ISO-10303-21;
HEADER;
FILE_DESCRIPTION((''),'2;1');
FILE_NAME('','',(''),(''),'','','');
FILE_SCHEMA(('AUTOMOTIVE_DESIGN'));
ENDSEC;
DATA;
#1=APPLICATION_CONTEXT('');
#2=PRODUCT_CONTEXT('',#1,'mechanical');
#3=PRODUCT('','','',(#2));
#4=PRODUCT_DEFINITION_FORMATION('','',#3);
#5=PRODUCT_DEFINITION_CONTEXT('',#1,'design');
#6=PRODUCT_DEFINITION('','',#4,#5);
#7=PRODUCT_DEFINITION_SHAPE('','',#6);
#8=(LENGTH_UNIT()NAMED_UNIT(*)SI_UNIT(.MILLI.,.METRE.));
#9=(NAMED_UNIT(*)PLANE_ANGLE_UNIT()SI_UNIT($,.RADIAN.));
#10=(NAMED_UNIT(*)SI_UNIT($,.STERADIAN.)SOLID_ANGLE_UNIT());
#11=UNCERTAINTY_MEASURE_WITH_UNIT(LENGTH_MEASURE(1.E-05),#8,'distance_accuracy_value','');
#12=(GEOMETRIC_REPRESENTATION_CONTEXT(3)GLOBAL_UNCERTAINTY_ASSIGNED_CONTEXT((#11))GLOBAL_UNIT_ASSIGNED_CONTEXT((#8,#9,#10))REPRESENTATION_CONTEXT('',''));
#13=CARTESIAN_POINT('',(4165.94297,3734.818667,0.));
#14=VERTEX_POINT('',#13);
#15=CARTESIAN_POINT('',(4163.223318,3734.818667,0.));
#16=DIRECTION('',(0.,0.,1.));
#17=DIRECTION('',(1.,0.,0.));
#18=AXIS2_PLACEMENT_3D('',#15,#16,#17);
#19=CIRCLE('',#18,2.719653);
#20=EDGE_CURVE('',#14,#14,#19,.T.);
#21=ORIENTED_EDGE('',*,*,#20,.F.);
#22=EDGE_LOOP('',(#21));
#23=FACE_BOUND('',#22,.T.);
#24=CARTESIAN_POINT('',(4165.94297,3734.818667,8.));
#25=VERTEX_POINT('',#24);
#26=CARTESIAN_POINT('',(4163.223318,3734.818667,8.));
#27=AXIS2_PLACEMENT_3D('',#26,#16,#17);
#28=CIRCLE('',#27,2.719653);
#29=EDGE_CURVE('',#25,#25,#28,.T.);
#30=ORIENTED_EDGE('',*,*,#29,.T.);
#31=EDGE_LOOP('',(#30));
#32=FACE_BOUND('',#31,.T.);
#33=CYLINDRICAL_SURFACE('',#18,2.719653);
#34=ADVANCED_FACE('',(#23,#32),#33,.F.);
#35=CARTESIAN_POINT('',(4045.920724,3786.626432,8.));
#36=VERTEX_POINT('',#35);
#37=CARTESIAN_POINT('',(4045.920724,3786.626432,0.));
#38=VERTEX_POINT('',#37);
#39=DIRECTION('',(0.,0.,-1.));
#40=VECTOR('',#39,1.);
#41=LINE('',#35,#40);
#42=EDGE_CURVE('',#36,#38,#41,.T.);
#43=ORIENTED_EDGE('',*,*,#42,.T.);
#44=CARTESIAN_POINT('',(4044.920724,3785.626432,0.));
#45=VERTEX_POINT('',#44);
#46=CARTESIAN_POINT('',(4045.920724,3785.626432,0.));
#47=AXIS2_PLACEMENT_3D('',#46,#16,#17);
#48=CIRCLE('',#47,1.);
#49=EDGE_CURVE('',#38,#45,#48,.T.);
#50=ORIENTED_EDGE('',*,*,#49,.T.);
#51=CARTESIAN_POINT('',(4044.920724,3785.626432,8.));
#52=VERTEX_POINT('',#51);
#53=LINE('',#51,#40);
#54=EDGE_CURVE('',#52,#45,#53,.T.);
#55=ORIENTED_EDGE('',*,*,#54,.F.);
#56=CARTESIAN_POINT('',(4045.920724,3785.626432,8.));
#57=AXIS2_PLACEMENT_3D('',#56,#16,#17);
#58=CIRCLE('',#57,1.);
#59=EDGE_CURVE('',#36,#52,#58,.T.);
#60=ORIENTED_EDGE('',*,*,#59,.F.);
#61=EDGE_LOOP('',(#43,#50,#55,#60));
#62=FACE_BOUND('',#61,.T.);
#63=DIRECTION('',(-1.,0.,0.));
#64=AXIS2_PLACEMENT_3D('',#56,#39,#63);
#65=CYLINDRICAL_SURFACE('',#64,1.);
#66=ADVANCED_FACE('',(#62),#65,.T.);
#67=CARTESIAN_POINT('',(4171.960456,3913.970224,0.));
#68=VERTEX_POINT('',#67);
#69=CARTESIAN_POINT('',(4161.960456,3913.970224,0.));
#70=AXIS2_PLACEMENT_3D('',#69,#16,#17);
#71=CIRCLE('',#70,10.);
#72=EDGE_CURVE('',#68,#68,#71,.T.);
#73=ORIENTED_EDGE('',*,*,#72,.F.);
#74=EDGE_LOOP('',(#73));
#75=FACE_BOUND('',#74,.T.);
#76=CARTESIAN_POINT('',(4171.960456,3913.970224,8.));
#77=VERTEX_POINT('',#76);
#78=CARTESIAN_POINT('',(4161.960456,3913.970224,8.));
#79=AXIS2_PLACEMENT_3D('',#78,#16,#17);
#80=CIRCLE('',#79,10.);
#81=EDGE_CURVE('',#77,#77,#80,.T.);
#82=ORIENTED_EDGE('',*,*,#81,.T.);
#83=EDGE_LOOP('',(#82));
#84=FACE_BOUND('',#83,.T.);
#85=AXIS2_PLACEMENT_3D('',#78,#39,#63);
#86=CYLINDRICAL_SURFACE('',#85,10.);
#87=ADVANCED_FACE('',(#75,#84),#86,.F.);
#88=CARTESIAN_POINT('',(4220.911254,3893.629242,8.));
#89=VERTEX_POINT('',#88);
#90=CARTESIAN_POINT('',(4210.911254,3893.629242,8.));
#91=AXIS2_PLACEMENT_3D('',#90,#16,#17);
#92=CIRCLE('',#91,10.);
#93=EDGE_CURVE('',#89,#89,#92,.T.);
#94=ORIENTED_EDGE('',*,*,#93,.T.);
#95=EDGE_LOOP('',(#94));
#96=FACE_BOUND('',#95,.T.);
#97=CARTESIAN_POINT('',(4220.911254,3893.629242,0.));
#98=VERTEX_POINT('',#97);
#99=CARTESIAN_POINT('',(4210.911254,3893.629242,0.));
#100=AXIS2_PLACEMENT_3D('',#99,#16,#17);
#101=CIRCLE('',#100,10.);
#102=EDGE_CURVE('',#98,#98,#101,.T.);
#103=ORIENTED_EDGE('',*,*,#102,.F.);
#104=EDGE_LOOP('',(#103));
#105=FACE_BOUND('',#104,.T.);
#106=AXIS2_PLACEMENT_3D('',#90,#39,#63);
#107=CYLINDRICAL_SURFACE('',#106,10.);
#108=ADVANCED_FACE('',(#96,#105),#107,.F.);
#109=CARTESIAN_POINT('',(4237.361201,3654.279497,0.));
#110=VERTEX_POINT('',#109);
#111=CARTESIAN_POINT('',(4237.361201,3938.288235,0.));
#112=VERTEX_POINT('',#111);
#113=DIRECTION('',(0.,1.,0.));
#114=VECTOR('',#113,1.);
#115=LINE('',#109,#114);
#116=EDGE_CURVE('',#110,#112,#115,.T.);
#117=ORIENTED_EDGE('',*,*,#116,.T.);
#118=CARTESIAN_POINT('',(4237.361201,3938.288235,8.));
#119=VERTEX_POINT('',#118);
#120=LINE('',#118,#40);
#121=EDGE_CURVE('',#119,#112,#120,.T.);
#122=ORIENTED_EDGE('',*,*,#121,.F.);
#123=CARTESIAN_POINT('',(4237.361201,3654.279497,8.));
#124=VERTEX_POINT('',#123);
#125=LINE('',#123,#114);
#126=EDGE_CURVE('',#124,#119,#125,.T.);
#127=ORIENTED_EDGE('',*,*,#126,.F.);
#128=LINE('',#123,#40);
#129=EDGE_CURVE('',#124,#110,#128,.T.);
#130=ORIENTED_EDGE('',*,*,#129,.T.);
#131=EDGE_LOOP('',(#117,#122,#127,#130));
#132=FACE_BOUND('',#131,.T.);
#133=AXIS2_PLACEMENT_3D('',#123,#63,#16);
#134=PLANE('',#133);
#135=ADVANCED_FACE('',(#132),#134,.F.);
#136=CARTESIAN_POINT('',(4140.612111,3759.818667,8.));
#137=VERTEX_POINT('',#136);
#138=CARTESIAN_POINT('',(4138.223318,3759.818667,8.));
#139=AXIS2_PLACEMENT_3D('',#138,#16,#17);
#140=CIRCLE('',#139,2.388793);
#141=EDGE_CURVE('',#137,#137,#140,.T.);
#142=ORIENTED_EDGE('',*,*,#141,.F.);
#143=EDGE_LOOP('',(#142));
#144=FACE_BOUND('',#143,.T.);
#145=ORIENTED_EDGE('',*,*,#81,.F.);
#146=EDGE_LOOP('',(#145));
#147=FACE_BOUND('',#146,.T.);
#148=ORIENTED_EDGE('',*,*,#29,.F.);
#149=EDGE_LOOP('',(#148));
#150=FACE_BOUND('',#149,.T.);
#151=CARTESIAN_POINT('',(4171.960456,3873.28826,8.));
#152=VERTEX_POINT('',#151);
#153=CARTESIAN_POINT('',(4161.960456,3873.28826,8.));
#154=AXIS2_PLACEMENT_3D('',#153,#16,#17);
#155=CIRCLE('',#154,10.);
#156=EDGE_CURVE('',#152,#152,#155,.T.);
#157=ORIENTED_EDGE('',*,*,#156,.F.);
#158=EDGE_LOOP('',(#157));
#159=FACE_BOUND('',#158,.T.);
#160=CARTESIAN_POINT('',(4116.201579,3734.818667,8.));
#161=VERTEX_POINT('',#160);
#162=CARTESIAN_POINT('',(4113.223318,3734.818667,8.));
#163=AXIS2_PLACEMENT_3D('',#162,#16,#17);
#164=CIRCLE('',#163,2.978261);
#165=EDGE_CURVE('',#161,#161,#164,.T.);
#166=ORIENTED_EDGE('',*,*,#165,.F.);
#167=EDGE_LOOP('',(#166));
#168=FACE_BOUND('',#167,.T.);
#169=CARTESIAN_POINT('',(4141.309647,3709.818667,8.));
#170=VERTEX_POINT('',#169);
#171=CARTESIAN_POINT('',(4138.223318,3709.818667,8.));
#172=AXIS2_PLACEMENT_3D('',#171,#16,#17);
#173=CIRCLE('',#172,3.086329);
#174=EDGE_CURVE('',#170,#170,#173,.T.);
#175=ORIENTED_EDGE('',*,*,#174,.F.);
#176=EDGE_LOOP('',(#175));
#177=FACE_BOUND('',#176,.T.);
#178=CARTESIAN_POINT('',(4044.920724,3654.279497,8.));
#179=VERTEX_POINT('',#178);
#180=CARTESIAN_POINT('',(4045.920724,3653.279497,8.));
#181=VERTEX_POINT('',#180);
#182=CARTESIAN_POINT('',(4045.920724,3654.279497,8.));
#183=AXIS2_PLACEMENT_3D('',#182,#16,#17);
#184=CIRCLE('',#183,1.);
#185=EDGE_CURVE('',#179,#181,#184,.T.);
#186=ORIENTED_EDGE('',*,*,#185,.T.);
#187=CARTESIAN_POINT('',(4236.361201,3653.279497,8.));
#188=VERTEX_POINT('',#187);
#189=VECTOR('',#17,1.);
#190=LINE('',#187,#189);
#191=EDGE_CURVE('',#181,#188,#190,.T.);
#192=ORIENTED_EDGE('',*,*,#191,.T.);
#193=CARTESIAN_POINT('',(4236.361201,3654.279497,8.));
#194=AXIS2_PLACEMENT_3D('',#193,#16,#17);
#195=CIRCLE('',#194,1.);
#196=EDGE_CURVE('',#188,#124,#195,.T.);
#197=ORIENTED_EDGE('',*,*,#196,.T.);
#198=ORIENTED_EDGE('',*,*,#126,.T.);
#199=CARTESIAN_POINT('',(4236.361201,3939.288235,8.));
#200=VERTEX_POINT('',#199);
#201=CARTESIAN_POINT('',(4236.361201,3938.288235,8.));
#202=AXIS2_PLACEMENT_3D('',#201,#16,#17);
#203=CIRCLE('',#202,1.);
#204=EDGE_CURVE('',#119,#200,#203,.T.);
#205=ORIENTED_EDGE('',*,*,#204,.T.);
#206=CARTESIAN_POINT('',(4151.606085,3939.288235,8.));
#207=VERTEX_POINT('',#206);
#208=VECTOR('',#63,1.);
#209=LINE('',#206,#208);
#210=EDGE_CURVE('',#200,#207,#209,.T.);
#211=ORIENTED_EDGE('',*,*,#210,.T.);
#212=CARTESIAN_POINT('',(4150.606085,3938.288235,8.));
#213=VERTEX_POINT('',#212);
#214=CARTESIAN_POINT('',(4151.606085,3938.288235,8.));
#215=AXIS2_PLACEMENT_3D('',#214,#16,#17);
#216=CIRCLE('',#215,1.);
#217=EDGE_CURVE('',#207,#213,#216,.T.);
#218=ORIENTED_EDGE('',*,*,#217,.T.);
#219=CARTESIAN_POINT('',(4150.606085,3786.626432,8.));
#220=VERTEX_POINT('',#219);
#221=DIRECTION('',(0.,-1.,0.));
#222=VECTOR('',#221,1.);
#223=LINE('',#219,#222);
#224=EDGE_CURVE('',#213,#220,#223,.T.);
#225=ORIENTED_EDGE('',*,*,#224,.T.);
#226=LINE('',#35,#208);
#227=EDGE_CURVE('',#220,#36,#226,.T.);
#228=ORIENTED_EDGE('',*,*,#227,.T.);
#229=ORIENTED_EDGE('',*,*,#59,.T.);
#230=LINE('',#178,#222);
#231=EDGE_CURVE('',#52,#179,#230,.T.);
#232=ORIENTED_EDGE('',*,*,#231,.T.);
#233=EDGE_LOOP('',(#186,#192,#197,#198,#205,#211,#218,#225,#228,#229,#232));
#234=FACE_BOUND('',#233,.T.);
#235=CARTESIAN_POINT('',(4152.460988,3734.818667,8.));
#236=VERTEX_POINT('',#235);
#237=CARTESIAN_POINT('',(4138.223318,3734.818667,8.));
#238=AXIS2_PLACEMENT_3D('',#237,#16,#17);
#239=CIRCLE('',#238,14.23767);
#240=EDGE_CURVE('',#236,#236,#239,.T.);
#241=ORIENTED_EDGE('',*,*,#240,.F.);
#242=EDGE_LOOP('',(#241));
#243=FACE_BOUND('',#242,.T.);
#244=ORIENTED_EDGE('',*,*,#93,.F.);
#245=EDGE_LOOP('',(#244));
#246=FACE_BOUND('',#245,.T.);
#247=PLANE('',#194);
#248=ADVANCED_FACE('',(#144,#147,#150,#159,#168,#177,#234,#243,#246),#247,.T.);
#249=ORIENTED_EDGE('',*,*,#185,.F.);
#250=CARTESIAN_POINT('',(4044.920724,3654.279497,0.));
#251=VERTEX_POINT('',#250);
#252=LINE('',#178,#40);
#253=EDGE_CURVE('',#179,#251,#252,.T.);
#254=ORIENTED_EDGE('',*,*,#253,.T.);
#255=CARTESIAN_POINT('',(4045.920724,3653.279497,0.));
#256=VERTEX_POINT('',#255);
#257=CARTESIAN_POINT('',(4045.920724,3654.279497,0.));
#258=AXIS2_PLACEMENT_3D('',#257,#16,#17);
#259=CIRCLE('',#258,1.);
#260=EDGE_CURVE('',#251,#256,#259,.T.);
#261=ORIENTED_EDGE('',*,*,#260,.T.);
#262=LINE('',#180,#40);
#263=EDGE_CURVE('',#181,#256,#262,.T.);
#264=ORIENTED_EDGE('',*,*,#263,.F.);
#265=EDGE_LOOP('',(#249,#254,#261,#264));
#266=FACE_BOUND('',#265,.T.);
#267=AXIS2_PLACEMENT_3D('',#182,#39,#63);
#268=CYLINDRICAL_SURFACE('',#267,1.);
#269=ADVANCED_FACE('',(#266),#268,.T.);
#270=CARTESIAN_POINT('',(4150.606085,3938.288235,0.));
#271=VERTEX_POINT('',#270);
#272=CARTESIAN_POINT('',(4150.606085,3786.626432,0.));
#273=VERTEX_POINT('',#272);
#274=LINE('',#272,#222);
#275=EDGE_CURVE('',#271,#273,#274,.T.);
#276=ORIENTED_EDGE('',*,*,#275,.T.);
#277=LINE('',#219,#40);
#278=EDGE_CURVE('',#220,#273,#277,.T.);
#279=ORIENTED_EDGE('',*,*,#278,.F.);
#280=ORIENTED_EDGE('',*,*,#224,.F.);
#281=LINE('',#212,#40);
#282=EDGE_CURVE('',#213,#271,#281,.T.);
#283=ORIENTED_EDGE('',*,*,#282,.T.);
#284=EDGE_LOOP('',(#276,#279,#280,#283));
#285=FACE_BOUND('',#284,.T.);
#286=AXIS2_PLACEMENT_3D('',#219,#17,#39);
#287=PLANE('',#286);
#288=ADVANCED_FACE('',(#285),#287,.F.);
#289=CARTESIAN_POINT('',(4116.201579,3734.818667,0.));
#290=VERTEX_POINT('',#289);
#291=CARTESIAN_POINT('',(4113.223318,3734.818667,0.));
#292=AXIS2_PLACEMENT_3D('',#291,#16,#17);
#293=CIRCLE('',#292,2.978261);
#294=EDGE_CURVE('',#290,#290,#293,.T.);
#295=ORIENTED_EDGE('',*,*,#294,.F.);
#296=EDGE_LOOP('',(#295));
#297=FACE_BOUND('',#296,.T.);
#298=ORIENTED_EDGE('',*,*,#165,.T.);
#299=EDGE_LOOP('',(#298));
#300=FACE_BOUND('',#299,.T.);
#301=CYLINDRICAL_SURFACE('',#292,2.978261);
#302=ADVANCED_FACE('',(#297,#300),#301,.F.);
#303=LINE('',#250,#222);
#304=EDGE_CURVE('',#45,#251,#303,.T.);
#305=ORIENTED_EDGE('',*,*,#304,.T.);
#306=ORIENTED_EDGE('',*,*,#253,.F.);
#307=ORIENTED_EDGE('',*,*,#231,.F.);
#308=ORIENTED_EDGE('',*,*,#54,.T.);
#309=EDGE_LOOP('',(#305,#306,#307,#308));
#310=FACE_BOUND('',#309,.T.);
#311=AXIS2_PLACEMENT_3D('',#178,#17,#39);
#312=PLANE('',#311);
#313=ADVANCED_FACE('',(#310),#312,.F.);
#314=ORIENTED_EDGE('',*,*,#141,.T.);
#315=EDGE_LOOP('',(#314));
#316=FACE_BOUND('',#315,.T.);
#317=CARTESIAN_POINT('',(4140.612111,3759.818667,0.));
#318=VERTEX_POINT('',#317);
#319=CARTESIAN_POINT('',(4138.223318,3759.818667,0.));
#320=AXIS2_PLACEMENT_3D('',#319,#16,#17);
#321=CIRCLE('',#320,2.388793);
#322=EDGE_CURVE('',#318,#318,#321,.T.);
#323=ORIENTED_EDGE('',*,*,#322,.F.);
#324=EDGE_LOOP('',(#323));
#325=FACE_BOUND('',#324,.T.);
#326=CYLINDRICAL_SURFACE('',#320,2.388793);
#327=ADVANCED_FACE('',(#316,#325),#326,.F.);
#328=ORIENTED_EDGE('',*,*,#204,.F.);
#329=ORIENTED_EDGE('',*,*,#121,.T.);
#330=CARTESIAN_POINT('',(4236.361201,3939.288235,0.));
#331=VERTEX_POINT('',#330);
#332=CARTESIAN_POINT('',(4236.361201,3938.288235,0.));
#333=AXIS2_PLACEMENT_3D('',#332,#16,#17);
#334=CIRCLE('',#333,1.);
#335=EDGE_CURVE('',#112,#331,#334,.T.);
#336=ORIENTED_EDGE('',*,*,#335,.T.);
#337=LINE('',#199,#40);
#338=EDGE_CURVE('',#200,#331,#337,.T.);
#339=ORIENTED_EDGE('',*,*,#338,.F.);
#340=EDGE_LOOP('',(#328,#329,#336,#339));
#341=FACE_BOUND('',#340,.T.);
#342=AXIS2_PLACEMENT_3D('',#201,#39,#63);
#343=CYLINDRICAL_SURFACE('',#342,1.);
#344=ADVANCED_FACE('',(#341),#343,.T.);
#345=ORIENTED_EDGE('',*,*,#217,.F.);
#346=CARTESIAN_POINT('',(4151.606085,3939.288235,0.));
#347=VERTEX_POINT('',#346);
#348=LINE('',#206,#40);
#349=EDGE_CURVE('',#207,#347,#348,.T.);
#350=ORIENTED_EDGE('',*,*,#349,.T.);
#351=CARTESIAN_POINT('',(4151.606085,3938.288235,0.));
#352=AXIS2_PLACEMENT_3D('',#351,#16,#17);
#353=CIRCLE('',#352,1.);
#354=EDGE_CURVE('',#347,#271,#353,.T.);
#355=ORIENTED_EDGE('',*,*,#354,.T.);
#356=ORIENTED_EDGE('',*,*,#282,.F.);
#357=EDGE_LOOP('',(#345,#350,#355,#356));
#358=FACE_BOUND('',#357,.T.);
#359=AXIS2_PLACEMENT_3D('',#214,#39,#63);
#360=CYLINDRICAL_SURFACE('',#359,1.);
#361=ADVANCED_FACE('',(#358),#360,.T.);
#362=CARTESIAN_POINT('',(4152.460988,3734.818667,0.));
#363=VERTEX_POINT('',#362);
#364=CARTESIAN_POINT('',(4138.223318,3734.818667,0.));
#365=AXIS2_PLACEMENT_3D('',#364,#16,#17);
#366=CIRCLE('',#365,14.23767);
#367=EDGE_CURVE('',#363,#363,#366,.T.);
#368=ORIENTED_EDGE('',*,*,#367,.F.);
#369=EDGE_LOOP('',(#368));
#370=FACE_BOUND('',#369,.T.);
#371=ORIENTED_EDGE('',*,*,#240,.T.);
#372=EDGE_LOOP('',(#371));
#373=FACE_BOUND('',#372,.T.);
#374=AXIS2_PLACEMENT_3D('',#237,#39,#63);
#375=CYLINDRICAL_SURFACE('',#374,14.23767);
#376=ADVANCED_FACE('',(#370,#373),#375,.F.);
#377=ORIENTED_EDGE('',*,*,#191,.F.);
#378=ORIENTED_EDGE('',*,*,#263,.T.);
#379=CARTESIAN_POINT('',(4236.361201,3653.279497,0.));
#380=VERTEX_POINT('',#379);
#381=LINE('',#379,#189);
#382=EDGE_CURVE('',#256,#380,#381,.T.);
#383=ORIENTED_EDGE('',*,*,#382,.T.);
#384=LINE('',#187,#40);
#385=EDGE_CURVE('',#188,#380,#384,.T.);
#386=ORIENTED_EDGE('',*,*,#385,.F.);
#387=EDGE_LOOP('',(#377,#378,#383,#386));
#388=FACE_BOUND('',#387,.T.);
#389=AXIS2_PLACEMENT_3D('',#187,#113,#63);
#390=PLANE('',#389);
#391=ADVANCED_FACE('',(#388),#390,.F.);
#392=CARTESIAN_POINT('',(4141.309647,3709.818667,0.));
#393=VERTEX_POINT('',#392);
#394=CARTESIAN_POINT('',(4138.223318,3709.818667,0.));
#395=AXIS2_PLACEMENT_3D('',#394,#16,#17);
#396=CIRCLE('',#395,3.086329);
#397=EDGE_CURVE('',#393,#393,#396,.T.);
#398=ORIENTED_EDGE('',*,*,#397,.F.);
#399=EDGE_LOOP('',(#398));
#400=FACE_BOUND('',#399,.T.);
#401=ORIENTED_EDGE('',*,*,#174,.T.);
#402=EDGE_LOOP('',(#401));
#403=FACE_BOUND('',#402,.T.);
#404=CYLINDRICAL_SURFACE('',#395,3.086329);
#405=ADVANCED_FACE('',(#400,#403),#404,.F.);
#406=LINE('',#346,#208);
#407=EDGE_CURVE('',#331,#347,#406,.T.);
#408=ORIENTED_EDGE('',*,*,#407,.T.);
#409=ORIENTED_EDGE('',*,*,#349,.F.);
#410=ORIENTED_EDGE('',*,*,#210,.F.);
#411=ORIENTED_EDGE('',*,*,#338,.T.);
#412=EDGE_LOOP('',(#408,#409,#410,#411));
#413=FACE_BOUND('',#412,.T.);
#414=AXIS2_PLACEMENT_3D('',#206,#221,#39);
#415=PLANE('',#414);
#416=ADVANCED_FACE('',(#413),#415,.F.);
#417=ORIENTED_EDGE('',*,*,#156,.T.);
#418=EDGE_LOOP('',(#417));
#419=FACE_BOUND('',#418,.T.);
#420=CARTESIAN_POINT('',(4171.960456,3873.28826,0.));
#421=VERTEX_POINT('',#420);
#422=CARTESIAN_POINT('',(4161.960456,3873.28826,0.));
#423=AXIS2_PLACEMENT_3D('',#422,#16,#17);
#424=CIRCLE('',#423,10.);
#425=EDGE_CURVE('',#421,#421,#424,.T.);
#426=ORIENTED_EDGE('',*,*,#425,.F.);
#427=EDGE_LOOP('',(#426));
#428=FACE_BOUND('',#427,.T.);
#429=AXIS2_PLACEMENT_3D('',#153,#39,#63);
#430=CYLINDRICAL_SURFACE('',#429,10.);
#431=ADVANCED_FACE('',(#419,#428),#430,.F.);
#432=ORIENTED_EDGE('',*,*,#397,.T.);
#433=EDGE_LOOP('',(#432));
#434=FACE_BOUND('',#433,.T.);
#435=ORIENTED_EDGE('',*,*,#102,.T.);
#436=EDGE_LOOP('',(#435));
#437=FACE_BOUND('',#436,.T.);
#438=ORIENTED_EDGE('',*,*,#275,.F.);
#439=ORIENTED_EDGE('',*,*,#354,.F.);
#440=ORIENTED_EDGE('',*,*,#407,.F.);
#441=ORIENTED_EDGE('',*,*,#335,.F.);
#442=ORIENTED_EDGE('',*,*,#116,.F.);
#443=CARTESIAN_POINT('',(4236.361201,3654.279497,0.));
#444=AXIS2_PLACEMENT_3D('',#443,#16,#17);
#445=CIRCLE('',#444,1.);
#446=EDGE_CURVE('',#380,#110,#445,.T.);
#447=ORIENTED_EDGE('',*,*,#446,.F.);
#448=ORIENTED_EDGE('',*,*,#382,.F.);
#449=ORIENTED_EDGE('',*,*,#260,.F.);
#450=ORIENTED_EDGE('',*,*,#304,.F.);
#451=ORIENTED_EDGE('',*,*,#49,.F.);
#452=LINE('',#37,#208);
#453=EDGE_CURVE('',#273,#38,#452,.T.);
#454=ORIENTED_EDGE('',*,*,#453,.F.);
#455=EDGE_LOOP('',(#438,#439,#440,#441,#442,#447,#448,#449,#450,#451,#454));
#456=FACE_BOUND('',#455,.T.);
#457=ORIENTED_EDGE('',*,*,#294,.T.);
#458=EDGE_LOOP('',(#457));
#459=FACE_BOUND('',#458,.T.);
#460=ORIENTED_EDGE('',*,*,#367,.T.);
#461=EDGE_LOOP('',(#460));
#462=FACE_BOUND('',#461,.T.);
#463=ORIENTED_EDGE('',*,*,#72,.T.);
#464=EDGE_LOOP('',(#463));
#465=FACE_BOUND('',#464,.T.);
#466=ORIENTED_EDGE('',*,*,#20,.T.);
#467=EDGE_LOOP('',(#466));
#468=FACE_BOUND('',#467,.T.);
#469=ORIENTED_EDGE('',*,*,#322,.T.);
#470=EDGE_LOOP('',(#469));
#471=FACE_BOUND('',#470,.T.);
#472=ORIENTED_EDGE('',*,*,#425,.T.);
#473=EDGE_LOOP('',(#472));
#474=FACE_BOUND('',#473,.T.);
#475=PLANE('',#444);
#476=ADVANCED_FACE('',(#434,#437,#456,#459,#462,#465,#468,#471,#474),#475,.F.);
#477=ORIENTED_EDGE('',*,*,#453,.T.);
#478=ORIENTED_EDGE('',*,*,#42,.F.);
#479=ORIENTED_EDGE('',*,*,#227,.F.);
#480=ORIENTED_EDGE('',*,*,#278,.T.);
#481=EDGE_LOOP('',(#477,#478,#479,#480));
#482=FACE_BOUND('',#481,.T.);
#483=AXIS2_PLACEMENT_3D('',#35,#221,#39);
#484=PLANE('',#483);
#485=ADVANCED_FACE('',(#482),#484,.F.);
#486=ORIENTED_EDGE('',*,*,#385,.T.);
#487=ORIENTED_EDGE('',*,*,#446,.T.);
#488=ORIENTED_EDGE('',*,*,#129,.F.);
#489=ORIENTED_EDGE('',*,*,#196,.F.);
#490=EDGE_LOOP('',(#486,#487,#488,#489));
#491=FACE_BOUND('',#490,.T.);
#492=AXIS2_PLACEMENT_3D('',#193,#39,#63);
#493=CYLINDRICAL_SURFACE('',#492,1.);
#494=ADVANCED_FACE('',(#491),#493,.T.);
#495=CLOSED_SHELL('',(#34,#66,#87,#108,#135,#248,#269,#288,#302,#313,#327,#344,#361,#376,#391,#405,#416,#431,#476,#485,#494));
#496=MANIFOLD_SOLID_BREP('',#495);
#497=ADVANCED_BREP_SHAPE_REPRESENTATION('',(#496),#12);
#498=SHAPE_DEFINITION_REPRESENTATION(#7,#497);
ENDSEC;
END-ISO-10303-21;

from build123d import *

# Parameters (mm, degrees)
SKETCH_1_R          = 10
SKETCH_1_R_2        = 14.237670301
EXTRUDE_1_DEPTH     = 8
SKETCH_2_R          = 2.388792686
SKETCH_2_R_2        = 2.719652574
SKETCH_2_R_3        = 3.086328998
SKETCH_2_R_4        = 2.978260763
CUT_EXTRUDE_1_DEPTH = 9


with BuildPart() as part:
    # 草图1 → 凸台-拉伸1 (new body)
    with BuildSketch(Plane.XY):
        with BuildLine():
            Line((4236.361201479, 3653.279497209), (4045.920724491, 3653.279497209))
            ThreePointArc((4045.920724491, 3653.279497209), (4045.21361771, 3653.572390428), (4044.920724491, 3654.279497209))
            Line((4044.920724491, 3654.279497209), (4044.920724491, 3785.62643227))
            ThreePointArc((4044.920724491, 3785.62643227), (4045.21361771, 3786.333539051), (4045.920724491, 3786.62643227))
            Line((4045.920724491, 3786.62643227), (4150.606085218, 3786.62643227))
            Line((4150.606085218, 3786.62643227), (4150.606085218, 3938.288234625))
            ThreePointArc((4150.606085218, 3938.288234625), (4150.898978436, 3938.995341406), (4151.606085218, 3939.288234625))
            Line((4151.606085218, 3939.288234625), (4236.361201479, 3939.288234625))
            ThreePointArc((4236.361201479, 3939.288234625), (4237.06830826, 3938.995341406), (4237.361201479, 3938.288234625))
            Line((4237.361201479, 3938.288234625), (4237.361201479, 3654.279497209))
            ThreePointArc((4237.361201479, 3654.279497209), (4237.06830826, 3653.572390428), (4236.361201479, 3653.279497209))
        make_face()
        with Locations((4210.911253899, 3893.629242063)):
            Circle(SKETCH_1_R, mode=Mode.SUBTRACT)
        with Locations((4161.960456262, 3913.970224185)):
            Circle(SKETCH_1_R, mode=Mode.SUBTRACT)
        with Locations((4161.960456262, 3873.288259941)):
            Circle(SKETCH_1_R, mode=Mode.SUBTRACT)
        with Locations((4138.223317867, 3734.818667022)):
            Circle(SKETCH_1_R_2, mode=Mode.SUBTRACT)
    extrude(amount=EXTRUDE_1_DEPTH)

    # 草图2 → 切除-拉伸1 (cut, through all)
    with BuildSketch(Plane.XY.offset(8)):
        with Locations((4138.223317867, 3759.818667022)):
            Circle(SKETCH_2_R)
        with Locations((4163.223317867, 3734.818667022)):
            Circle(SKETCH_2_R_2)
        with Locations((4138.223317867, 3709.818667022)):
            Circle(SKETCH_2_R_3)
        with Locations((4113.223317867, 3734.818667022)):
            Circle(SKETCH_2_R_4)
    extrude(amount=-CUT_EXTRUDE_1_DEPTH, mode=Mode.SUBTRACT)


solid = part.part
